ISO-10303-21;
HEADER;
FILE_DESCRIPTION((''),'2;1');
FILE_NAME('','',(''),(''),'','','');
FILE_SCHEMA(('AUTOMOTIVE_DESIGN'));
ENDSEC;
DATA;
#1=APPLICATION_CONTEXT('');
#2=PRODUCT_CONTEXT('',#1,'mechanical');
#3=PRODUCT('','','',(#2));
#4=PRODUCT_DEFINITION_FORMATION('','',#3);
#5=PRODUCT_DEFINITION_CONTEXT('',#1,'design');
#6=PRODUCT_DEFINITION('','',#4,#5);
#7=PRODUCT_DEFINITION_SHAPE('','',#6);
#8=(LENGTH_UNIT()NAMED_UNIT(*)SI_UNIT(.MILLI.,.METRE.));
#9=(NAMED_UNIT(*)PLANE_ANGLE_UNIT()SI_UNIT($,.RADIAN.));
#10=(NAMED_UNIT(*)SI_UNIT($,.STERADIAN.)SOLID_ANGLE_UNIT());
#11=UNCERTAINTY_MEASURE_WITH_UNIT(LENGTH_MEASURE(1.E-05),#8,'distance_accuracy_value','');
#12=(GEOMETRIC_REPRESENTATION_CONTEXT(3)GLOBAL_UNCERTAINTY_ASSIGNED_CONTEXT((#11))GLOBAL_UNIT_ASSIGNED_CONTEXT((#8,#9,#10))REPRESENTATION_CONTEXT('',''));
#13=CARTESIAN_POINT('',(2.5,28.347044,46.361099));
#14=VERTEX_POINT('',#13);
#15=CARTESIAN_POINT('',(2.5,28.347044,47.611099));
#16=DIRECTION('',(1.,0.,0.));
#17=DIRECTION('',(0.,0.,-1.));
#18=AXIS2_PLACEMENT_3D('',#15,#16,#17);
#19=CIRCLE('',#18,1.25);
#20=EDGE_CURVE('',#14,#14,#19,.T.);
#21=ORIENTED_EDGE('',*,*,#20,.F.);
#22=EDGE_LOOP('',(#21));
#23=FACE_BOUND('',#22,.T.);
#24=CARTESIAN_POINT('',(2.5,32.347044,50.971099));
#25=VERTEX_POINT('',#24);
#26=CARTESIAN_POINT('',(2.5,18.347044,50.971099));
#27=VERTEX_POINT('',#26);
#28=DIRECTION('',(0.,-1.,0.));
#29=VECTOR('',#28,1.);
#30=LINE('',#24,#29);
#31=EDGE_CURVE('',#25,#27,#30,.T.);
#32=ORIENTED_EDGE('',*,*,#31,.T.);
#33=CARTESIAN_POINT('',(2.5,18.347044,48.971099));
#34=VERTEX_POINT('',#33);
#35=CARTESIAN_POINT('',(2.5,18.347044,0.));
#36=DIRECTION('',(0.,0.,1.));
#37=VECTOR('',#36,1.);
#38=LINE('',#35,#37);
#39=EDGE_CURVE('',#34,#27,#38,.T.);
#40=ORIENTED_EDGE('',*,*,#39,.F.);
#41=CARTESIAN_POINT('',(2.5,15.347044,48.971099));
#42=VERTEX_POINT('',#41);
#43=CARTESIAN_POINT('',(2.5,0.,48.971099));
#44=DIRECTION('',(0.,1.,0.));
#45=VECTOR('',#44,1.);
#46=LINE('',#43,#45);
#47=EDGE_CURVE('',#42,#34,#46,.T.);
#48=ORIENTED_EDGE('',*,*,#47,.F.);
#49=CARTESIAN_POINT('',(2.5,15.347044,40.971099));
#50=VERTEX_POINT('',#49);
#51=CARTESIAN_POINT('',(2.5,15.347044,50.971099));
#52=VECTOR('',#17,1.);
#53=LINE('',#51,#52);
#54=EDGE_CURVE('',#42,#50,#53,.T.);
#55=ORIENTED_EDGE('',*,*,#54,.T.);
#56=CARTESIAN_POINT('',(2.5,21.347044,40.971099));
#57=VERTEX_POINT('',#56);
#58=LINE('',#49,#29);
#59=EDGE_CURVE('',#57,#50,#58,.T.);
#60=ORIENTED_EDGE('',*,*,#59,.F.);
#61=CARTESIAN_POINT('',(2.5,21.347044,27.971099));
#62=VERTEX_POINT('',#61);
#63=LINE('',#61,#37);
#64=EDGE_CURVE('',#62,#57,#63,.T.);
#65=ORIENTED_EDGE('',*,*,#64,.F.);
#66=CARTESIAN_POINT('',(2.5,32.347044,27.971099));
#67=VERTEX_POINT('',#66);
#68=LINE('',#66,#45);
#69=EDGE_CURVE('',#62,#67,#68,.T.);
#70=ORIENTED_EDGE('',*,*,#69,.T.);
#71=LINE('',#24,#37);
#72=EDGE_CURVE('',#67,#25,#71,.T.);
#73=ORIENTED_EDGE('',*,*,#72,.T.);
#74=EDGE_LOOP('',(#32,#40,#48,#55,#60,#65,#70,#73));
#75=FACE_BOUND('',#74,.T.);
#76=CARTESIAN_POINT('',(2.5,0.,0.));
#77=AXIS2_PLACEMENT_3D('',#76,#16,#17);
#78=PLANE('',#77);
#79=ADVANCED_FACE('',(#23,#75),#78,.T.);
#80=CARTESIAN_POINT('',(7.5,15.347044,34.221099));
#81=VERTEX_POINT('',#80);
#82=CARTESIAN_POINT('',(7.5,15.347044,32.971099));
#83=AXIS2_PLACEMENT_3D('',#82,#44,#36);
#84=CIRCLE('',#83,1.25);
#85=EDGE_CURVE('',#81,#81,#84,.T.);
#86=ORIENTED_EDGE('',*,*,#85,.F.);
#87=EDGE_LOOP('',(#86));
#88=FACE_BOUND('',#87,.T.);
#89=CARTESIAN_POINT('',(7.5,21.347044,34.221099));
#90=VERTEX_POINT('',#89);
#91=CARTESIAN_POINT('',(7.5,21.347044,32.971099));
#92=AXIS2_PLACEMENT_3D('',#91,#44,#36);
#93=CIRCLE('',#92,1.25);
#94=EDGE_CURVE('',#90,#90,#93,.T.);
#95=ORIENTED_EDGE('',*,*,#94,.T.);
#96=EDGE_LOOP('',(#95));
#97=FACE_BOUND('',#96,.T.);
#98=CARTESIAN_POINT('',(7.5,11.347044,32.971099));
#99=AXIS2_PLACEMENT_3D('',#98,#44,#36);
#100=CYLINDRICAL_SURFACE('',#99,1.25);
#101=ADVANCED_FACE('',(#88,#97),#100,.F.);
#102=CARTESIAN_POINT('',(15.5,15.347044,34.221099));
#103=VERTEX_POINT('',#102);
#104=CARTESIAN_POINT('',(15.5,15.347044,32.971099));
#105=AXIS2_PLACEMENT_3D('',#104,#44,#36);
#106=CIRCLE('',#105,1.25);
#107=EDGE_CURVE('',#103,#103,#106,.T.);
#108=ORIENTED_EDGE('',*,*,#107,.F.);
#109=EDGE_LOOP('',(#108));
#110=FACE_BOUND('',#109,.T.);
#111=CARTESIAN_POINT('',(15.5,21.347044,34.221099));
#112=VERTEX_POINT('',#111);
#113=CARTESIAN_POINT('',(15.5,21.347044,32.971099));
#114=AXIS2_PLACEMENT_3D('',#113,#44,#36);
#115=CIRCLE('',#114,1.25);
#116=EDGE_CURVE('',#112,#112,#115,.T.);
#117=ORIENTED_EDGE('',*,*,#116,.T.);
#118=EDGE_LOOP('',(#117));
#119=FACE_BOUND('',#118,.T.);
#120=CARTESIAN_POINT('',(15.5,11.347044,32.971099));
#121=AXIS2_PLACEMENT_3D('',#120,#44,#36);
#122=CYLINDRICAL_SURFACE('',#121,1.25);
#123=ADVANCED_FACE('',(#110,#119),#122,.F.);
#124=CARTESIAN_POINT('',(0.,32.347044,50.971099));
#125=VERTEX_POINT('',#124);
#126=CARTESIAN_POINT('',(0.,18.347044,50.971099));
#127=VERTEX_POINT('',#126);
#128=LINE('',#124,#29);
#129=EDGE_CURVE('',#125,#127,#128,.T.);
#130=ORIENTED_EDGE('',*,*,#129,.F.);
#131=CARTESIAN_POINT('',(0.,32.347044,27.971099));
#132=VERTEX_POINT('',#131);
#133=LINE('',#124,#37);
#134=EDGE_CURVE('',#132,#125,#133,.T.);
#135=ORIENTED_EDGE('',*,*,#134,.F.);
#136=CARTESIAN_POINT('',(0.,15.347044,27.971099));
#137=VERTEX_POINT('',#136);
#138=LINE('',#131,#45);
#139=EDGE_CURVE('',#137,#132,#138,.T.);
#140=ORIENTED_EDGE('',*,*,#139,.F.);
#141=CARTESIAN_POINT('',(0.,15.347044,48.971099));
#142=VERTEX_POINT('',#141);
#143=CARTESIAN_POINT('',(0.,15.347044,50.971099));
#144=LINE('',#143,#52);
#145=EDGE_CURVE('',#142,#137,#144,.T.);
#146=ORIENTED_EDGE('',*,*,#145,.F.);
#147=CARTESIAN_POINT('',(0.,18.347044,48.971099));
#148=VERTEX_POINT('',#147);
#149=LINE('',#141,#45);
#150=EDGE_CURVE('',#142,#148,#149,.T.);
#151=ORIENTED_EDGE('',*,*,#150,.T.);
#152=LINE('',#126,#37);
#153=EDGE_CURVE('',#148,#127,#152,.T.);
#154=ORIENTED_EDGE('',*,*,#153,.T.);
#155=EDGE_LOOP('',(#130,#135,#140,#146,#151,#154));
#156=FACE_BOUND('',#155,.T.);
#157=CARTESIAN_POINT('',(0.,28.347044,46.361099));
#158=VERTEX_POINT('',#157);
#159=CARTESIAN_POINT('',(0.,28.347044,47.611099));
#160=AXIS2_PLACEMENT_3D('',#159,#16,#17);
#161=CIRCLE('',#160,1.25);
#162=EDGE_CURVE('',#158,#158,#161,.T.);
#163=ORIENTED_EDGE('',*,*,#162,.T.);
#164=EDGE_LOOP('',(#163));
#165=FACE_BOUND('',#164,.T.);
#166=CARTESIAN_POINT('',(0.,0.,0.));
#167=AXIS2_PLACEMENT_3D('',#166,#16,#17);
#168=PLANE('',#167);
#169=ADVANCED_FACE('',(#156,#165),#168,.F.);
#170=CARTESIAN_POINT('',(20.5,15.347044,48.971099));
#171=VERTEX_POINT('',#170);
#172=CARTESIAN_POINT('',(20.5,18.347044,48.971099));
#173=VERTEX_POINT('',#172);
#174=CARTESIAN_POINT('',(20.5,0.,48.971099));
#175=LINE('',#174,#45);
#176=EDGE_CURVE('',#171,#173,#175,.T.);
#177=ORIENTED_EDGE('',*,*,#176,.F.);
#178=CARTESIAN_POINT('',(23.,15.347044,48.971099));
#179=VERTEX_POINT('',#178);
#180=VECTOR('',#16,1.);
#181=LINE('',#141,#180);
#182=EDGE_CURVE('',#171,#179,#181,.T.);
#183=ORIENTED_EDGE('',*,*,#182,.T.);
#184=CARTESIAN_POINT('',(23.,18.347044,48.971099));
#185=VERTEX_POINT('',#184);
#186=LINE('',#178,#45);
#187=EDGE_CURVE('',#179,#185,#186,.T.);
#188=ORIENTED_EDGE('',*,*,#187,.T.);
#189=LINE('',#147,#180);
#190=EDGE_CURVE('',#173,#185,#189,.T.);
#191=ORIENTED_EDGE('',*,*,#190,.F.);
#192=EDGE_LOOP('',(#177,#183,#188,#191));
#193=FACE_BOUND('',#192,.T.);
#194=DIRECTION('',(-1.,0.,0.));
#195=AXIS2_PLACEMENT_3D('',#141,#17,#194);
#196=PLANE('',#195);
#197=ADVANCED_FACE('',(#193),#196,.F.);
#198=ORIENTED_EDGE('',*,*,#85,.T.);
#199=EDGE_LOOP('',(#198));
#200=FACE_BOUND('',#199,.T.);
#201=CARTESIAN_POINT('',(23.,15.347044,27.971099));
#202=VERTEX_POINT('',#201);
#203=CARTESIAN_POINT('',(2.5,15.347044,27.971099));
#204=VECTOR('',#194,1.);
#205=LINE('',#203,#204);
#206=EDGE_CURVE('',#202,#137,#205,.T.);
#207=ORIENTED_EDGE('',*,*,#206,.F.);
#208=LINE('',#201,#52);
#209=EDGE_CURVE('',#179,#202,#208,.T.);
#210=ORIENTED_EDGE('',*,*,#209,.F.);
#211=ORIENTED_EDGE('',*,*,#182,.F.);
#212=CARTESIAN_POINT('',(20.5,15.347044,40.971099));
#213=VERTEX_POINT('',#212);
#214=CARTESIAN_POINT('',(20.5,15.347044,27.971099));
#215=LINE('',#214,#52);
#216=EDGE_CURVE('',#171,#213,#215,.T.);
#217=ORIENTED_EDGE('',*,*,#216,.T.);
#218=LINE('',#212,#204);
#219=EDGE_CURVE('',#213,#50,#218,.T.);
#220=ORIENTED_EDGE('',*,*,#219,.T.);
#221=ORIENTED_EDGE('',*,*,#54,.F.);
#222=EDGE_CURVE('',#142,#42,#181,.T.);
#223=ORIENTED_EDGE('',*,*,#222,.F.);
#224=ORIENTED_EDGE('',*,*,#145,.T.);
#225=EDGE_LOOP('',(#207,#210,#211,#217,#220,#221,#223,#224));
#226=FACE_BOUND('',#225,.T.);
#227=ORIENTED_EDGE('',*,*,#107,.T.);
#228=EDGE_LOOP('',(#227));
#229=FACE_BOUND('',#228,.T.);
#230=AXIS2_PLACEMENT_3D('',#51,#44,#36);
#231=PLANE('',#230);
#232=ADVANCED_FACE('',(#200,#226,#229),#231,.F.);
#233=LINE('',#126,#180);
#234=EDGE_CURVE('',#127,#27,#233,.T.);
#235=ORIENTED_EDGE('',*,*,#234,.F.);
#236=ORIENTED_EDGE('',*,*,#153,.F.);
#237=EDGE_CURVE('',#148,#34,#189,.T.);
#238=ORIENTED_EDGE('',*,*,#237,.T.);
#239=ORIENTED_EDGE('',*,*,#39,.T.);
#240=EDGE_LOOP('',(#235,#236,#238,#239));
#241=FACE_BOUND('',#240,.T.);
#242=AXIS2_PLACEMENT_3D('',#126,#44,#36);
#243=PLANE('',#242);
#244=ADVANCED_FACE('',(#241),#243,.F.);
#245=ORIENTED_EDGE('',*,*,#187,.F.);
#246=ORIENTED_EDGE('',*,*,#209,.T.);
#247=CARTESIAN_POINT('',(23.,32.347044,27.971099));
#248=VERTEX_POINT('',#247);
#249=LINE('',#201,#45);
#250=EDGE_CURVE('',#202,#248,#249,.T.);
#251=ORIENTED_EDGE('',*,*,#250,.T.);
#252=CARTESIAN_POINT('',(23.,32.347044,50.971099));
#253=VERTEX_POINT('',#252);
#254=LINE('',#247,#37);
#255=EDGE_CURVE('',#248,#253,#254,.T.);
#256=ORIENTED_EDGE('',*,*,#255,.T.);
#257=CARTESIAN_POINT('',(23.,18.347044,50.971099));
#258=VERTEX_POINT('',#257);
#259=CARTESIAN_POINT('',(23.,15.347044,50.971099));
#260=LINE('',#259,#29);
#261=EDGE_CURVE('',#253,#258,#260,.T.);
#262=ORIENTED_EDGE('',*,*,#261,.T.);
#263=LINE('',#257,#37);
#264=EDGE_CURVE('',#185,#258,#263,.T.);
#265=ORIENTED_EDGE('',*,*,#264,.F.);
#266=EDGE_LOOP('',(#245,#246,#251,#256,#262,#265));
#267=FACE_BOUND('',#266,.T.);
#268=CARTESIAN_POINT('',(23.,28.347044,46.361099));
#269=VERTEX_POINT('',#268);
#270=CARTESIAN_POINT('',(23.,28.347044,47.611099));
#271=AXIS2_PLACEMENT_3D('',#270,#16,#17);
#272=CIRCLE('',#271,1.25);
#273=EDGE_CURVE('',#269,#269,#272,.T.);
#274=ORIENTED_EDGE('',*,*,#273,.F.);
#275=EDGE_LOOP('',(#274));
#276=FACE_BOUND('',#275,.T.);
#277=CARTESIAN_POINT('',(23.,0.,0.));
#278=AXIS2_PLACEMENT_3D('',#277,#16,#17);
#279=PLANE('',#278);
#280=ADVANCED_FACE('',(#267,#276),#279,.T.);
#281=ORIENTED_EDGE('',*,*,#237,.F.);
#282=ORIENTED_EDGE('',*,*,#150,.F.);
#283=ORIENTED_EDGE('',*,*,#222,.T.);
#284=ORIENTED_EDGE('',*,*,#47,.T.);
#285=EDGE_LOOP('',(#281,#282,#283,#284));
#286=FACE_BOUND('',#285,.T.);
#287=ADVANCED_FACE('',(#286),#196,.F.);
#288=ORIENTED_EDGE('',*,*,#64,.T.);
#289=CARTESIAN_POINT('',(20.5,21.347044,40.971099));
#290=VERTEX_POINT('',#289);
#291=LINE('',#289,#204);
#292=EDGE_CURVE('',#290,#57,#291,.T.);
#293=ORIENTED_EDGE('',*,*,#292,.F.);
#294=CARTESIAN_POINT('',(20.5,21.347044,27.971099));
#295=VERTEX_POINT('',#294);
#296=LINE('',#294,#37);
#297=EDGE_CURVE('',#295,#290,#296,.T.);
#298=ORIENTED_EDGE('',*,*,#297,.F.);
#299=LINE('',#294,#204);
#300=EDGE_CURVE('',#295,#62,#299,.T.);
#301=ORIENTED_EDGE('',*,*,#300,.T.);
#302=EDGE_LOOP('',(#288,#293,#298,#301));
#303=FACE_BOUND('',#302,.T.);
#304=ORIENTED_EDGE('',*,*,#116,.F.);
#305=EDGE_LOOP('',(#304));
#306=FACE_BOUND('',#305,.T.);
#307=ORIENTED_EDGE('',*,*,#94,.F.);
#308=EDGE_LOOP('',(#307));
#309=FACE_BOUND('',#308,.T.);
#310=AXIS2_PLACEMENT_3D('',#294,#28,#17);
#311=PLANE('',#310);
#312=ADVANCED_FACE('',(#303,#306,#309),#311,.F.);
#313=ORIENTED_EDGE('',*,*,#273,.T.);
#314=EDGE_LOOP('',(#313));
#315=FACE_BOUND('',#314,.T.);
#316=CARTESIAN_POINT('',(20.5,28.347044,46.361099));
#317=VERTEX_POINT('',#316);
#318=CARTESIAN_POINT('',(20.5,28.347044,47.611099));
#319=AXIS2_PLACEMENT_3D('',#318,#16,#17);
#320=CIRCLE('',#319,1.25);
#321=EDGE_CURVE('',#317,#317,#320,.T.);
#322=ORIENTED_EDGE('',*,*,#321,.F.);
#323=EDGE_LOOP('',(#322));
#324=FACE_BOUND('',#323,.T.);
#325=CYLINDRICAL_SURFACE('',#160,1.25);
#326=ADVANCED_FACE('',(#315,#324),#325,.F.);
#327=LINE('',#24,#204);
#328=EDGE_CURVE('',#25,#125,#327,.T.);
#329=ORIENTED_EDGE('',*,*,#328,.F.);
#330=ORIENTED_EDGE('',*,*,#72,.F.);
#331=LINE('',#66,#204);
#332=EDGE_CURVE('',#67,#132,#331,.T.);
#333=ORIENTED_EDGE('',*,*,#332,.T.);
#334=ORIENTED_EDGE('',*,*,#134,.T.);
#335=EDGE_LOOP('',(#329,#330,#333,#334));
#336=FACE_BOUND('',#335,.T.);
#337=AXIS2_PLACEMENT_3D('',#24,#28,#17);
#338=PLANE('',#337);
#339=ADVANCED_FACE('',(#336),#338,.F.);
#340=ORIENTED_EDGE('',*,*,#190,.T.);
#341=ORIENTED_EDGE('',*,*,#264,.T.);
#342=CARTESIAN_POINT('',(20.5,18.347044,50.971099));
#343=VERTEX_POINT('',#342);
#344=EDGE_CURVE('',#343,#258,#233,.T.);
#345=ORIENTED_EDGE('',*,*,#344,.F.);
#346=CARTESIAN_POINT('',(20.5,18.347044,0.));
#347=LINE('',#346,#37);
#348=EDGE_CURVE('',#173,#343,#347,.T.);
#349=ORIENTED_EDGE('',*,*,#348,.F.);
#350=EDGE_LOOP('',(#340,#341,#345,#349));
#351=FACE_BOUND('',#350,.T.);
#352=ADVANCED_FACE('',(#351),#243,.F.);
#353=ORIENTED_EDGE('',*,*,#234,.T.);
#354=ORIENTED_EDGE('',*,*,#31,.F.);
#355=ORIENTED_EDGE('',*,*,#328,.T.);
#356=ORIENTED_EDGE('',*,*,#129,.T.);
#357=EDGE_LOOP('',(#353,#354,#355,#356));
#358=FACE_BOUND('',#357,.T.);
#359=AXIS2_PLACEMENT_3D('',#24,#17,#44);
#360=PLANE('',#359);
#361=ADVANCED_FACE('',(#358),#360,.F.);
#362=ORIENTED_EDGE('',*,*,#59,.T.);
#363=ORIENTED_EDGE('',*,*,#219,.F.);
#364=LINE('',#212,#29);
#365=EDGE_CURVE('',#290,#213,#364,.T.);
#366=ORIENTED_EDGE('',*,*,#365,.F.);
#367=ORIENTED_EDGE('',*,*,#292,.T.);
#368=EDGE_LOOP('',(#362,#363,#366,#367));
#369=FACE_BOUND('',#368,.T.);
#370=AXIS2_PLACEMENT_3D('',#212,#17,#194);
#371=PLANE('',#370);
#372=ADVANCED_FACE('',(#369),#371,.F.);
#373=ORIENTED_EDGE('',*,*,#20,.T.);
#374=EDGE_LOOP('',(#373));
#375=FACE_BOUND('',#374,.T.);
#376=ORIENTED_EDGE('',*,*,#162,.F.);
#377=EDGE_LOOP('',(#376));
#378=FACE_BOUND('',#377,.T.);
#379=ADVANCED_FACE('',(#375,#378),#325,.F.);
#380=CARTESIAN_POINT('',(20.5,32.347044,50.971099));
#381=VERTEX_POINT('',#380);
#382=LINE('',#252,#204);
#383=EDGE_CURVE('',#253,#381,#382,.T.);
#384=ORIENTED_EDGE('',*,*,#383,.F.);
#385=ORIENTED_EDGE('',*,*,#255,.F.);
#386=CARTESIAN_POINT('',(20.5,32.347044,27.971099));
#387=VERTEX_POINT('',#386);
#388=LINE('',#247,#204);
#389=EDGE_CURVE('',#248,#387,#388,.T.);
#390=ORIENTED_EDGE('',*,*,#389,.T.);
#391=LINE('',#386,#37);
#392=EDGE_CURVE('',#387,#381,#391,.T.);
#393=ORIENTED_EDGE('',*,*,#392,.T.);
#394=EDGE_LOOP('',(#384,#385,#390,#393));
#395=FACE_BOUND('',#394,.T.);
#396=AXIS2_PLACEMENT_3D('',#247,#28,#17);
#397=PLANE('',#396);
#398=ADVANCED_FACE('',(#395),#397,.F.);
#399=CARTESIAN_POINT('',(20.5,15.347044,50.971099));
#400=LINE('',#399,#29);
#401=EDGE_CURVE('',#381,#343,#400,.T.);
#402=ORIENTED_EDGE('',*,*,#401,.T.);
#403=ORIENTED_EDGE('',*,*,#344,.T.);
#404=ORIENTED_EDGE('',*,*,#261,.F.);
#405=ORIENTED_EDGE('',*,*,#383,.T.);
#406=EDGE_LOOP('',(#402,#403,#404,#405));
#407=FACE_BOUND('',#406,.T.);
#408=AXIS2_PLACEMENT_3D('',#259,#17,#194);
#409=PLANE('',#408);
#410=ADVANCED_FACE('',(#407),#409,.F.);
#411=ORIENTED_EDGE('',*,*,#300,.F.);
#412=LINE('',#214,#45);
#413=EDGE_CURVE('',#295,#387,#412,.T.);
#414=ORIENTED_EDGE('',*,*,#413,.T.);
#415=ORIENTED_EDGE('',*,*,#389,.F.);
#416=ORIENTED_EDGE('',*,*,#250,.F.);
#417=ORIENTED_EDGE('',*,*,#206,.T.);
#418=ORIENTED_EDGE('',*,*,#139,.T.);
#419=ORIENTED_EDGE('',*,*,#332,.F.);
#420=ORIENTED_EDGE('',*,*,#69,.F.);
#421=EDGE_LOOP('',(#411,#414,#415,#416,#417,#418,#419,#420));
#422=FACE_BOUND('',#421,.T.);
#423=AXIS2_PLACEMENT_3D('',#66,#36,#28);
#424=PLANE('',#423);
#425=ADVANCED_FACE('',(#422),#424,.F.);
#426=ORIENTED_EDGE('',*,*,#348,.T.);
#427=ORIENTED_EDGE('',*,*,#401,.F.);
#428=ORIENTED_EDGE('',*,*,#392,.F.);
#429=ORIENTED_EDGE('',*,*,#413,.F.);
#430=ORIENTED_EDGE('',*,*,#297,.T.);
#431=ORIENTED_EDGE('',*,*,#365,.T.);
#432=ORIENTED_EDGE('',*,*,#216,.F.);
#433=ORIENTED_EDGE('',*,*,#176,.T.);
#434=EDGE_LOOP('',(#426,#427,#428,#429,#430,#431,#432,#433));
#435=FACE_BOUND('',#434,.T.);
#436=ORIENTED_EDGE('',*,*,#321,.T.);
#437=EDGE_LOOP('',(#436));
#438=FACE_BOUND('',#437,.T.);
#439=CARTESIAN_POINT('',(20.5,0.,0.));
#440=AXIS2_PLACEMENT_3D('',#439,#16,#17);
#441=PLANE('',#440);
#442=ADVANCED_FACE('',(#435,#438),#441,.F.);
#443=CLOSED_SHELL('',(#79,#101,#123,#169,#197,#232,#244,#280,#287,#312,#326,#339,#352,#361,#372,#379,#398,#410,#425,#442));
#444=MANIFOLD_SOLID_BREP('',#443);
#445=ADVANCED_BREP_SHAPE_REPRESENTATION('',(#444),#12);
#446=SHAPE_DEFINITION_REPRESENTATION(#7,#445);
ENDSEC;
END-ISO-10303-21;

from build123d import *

# Parameters (mm, degrees)
SKETCH1_W           = 23
SKETCH1_H           = 17
BOSS_EXTRUDE1_DEPTH = 2.5
SKETCH2_W           = 13
SKETCH2_H           = 6
BOSS_EXTRUDE2_DEPTH = 18
SKETCH3_W           = 23
SKETCH3_H           = 17
BOSS_EXTRUDE3_DEPTH = 2.5
SKETCH5_W           = 2
SKETCH5_H           = 3
CUT_EXTRUDE1_DEPTH  = 24
SKETCH4_R           = 1.25
CUT_EXTRUDE3_DEPTH  = 24
SKETCH7_R           = 1.25
CUT_EXTRUDE4_DEPTH  = 10


with BuildPart() as part:
    # Sketch1 → Boss-Extrude1 (new body)
    with BuildSketch(Plane(origin=(0, 0, 0), x_dir=(0, 0, -1), z_dir=(1, 0, 0))):
        with Locations((-39.471099191, 23.847043717)):
            Rectangle(SKETCH1_W, SKETCH1_H)
    extrude(amount=BOSS_EXTRUDE1_DEPTH)

    # Sketch2 → Boss-Extrude2 (add)
    with BuildSketch(Plane(origin=(2.5, 0, 0), x_dir=(0, 0, -1), z_dir=(1, 0, 0))):
        with Locations((-34.471099191, 18.347043717)):
            Rectangle(SKETCH2_W, SKETCH2_H)
    extrude(amount=BOSS_EXTRUDE2_DEPTH)

    # Sketch3 → Boss-Extrude3 (add)
    with BuildSketch(Plane(origin=(20.5, 0, 0), x_dir=(0, 0, -1), z_dir=(1, 0, 0))):
        with Locations((-39.471099191, 23.847043717)):
            Rectangle(SKETCH3_W, SKETCH3_H)
    extrude(amount=BOSS_EXTRUDE3_DEPTH)

    # Sketch5 → Cut-Extrude1 (cut, through all)
    with BuildSketch(Plane(origin=(23, 0, 0), x_dir=(0, 0, -1), z_dir=(1, 0, 0))):
        with Locations((-49.971099191, 16.847043717)):
            Rectangle(SKETCH5_W, SKETCH5_H)
    extrude(amount=-CUT_EXTRUDE1_DEPTH, mode=Mode.SUBTRACT)

    # Sketch4 → Cut-Extrude3 (cut, through all)
    with BuildSketch(Plane(origin=(23, 0, 0), x_dir=(0, 0, -1), z_dir=(1, 0, 0))):
        with Locations((-47.611099191, 28.347043717)):
            Circle(SKETCH4_R)
    extrude(amount=-CUT_EXTRUDE3_DEPTH, mode=Mode.SUBTRACT)

    # Sketch7 → Cut-Extrude4 (cut)
    with BuildSketch(Plane(origin=(0, 21.347043717, 0), x_dir=(1, 0, 0), z_dir=(0, 1, 0))):
        with Locations((7.5, -32.971099191)):
            Circle(SKETCH7_R)
        with Locations((15.5, -32.971099191)):
            Circle(SKETCH7_R)
    extrude(amount=-CUT_EXTRUDE4_DEPTH, mode=Mode.SUBTRACT)


solid = part.part
